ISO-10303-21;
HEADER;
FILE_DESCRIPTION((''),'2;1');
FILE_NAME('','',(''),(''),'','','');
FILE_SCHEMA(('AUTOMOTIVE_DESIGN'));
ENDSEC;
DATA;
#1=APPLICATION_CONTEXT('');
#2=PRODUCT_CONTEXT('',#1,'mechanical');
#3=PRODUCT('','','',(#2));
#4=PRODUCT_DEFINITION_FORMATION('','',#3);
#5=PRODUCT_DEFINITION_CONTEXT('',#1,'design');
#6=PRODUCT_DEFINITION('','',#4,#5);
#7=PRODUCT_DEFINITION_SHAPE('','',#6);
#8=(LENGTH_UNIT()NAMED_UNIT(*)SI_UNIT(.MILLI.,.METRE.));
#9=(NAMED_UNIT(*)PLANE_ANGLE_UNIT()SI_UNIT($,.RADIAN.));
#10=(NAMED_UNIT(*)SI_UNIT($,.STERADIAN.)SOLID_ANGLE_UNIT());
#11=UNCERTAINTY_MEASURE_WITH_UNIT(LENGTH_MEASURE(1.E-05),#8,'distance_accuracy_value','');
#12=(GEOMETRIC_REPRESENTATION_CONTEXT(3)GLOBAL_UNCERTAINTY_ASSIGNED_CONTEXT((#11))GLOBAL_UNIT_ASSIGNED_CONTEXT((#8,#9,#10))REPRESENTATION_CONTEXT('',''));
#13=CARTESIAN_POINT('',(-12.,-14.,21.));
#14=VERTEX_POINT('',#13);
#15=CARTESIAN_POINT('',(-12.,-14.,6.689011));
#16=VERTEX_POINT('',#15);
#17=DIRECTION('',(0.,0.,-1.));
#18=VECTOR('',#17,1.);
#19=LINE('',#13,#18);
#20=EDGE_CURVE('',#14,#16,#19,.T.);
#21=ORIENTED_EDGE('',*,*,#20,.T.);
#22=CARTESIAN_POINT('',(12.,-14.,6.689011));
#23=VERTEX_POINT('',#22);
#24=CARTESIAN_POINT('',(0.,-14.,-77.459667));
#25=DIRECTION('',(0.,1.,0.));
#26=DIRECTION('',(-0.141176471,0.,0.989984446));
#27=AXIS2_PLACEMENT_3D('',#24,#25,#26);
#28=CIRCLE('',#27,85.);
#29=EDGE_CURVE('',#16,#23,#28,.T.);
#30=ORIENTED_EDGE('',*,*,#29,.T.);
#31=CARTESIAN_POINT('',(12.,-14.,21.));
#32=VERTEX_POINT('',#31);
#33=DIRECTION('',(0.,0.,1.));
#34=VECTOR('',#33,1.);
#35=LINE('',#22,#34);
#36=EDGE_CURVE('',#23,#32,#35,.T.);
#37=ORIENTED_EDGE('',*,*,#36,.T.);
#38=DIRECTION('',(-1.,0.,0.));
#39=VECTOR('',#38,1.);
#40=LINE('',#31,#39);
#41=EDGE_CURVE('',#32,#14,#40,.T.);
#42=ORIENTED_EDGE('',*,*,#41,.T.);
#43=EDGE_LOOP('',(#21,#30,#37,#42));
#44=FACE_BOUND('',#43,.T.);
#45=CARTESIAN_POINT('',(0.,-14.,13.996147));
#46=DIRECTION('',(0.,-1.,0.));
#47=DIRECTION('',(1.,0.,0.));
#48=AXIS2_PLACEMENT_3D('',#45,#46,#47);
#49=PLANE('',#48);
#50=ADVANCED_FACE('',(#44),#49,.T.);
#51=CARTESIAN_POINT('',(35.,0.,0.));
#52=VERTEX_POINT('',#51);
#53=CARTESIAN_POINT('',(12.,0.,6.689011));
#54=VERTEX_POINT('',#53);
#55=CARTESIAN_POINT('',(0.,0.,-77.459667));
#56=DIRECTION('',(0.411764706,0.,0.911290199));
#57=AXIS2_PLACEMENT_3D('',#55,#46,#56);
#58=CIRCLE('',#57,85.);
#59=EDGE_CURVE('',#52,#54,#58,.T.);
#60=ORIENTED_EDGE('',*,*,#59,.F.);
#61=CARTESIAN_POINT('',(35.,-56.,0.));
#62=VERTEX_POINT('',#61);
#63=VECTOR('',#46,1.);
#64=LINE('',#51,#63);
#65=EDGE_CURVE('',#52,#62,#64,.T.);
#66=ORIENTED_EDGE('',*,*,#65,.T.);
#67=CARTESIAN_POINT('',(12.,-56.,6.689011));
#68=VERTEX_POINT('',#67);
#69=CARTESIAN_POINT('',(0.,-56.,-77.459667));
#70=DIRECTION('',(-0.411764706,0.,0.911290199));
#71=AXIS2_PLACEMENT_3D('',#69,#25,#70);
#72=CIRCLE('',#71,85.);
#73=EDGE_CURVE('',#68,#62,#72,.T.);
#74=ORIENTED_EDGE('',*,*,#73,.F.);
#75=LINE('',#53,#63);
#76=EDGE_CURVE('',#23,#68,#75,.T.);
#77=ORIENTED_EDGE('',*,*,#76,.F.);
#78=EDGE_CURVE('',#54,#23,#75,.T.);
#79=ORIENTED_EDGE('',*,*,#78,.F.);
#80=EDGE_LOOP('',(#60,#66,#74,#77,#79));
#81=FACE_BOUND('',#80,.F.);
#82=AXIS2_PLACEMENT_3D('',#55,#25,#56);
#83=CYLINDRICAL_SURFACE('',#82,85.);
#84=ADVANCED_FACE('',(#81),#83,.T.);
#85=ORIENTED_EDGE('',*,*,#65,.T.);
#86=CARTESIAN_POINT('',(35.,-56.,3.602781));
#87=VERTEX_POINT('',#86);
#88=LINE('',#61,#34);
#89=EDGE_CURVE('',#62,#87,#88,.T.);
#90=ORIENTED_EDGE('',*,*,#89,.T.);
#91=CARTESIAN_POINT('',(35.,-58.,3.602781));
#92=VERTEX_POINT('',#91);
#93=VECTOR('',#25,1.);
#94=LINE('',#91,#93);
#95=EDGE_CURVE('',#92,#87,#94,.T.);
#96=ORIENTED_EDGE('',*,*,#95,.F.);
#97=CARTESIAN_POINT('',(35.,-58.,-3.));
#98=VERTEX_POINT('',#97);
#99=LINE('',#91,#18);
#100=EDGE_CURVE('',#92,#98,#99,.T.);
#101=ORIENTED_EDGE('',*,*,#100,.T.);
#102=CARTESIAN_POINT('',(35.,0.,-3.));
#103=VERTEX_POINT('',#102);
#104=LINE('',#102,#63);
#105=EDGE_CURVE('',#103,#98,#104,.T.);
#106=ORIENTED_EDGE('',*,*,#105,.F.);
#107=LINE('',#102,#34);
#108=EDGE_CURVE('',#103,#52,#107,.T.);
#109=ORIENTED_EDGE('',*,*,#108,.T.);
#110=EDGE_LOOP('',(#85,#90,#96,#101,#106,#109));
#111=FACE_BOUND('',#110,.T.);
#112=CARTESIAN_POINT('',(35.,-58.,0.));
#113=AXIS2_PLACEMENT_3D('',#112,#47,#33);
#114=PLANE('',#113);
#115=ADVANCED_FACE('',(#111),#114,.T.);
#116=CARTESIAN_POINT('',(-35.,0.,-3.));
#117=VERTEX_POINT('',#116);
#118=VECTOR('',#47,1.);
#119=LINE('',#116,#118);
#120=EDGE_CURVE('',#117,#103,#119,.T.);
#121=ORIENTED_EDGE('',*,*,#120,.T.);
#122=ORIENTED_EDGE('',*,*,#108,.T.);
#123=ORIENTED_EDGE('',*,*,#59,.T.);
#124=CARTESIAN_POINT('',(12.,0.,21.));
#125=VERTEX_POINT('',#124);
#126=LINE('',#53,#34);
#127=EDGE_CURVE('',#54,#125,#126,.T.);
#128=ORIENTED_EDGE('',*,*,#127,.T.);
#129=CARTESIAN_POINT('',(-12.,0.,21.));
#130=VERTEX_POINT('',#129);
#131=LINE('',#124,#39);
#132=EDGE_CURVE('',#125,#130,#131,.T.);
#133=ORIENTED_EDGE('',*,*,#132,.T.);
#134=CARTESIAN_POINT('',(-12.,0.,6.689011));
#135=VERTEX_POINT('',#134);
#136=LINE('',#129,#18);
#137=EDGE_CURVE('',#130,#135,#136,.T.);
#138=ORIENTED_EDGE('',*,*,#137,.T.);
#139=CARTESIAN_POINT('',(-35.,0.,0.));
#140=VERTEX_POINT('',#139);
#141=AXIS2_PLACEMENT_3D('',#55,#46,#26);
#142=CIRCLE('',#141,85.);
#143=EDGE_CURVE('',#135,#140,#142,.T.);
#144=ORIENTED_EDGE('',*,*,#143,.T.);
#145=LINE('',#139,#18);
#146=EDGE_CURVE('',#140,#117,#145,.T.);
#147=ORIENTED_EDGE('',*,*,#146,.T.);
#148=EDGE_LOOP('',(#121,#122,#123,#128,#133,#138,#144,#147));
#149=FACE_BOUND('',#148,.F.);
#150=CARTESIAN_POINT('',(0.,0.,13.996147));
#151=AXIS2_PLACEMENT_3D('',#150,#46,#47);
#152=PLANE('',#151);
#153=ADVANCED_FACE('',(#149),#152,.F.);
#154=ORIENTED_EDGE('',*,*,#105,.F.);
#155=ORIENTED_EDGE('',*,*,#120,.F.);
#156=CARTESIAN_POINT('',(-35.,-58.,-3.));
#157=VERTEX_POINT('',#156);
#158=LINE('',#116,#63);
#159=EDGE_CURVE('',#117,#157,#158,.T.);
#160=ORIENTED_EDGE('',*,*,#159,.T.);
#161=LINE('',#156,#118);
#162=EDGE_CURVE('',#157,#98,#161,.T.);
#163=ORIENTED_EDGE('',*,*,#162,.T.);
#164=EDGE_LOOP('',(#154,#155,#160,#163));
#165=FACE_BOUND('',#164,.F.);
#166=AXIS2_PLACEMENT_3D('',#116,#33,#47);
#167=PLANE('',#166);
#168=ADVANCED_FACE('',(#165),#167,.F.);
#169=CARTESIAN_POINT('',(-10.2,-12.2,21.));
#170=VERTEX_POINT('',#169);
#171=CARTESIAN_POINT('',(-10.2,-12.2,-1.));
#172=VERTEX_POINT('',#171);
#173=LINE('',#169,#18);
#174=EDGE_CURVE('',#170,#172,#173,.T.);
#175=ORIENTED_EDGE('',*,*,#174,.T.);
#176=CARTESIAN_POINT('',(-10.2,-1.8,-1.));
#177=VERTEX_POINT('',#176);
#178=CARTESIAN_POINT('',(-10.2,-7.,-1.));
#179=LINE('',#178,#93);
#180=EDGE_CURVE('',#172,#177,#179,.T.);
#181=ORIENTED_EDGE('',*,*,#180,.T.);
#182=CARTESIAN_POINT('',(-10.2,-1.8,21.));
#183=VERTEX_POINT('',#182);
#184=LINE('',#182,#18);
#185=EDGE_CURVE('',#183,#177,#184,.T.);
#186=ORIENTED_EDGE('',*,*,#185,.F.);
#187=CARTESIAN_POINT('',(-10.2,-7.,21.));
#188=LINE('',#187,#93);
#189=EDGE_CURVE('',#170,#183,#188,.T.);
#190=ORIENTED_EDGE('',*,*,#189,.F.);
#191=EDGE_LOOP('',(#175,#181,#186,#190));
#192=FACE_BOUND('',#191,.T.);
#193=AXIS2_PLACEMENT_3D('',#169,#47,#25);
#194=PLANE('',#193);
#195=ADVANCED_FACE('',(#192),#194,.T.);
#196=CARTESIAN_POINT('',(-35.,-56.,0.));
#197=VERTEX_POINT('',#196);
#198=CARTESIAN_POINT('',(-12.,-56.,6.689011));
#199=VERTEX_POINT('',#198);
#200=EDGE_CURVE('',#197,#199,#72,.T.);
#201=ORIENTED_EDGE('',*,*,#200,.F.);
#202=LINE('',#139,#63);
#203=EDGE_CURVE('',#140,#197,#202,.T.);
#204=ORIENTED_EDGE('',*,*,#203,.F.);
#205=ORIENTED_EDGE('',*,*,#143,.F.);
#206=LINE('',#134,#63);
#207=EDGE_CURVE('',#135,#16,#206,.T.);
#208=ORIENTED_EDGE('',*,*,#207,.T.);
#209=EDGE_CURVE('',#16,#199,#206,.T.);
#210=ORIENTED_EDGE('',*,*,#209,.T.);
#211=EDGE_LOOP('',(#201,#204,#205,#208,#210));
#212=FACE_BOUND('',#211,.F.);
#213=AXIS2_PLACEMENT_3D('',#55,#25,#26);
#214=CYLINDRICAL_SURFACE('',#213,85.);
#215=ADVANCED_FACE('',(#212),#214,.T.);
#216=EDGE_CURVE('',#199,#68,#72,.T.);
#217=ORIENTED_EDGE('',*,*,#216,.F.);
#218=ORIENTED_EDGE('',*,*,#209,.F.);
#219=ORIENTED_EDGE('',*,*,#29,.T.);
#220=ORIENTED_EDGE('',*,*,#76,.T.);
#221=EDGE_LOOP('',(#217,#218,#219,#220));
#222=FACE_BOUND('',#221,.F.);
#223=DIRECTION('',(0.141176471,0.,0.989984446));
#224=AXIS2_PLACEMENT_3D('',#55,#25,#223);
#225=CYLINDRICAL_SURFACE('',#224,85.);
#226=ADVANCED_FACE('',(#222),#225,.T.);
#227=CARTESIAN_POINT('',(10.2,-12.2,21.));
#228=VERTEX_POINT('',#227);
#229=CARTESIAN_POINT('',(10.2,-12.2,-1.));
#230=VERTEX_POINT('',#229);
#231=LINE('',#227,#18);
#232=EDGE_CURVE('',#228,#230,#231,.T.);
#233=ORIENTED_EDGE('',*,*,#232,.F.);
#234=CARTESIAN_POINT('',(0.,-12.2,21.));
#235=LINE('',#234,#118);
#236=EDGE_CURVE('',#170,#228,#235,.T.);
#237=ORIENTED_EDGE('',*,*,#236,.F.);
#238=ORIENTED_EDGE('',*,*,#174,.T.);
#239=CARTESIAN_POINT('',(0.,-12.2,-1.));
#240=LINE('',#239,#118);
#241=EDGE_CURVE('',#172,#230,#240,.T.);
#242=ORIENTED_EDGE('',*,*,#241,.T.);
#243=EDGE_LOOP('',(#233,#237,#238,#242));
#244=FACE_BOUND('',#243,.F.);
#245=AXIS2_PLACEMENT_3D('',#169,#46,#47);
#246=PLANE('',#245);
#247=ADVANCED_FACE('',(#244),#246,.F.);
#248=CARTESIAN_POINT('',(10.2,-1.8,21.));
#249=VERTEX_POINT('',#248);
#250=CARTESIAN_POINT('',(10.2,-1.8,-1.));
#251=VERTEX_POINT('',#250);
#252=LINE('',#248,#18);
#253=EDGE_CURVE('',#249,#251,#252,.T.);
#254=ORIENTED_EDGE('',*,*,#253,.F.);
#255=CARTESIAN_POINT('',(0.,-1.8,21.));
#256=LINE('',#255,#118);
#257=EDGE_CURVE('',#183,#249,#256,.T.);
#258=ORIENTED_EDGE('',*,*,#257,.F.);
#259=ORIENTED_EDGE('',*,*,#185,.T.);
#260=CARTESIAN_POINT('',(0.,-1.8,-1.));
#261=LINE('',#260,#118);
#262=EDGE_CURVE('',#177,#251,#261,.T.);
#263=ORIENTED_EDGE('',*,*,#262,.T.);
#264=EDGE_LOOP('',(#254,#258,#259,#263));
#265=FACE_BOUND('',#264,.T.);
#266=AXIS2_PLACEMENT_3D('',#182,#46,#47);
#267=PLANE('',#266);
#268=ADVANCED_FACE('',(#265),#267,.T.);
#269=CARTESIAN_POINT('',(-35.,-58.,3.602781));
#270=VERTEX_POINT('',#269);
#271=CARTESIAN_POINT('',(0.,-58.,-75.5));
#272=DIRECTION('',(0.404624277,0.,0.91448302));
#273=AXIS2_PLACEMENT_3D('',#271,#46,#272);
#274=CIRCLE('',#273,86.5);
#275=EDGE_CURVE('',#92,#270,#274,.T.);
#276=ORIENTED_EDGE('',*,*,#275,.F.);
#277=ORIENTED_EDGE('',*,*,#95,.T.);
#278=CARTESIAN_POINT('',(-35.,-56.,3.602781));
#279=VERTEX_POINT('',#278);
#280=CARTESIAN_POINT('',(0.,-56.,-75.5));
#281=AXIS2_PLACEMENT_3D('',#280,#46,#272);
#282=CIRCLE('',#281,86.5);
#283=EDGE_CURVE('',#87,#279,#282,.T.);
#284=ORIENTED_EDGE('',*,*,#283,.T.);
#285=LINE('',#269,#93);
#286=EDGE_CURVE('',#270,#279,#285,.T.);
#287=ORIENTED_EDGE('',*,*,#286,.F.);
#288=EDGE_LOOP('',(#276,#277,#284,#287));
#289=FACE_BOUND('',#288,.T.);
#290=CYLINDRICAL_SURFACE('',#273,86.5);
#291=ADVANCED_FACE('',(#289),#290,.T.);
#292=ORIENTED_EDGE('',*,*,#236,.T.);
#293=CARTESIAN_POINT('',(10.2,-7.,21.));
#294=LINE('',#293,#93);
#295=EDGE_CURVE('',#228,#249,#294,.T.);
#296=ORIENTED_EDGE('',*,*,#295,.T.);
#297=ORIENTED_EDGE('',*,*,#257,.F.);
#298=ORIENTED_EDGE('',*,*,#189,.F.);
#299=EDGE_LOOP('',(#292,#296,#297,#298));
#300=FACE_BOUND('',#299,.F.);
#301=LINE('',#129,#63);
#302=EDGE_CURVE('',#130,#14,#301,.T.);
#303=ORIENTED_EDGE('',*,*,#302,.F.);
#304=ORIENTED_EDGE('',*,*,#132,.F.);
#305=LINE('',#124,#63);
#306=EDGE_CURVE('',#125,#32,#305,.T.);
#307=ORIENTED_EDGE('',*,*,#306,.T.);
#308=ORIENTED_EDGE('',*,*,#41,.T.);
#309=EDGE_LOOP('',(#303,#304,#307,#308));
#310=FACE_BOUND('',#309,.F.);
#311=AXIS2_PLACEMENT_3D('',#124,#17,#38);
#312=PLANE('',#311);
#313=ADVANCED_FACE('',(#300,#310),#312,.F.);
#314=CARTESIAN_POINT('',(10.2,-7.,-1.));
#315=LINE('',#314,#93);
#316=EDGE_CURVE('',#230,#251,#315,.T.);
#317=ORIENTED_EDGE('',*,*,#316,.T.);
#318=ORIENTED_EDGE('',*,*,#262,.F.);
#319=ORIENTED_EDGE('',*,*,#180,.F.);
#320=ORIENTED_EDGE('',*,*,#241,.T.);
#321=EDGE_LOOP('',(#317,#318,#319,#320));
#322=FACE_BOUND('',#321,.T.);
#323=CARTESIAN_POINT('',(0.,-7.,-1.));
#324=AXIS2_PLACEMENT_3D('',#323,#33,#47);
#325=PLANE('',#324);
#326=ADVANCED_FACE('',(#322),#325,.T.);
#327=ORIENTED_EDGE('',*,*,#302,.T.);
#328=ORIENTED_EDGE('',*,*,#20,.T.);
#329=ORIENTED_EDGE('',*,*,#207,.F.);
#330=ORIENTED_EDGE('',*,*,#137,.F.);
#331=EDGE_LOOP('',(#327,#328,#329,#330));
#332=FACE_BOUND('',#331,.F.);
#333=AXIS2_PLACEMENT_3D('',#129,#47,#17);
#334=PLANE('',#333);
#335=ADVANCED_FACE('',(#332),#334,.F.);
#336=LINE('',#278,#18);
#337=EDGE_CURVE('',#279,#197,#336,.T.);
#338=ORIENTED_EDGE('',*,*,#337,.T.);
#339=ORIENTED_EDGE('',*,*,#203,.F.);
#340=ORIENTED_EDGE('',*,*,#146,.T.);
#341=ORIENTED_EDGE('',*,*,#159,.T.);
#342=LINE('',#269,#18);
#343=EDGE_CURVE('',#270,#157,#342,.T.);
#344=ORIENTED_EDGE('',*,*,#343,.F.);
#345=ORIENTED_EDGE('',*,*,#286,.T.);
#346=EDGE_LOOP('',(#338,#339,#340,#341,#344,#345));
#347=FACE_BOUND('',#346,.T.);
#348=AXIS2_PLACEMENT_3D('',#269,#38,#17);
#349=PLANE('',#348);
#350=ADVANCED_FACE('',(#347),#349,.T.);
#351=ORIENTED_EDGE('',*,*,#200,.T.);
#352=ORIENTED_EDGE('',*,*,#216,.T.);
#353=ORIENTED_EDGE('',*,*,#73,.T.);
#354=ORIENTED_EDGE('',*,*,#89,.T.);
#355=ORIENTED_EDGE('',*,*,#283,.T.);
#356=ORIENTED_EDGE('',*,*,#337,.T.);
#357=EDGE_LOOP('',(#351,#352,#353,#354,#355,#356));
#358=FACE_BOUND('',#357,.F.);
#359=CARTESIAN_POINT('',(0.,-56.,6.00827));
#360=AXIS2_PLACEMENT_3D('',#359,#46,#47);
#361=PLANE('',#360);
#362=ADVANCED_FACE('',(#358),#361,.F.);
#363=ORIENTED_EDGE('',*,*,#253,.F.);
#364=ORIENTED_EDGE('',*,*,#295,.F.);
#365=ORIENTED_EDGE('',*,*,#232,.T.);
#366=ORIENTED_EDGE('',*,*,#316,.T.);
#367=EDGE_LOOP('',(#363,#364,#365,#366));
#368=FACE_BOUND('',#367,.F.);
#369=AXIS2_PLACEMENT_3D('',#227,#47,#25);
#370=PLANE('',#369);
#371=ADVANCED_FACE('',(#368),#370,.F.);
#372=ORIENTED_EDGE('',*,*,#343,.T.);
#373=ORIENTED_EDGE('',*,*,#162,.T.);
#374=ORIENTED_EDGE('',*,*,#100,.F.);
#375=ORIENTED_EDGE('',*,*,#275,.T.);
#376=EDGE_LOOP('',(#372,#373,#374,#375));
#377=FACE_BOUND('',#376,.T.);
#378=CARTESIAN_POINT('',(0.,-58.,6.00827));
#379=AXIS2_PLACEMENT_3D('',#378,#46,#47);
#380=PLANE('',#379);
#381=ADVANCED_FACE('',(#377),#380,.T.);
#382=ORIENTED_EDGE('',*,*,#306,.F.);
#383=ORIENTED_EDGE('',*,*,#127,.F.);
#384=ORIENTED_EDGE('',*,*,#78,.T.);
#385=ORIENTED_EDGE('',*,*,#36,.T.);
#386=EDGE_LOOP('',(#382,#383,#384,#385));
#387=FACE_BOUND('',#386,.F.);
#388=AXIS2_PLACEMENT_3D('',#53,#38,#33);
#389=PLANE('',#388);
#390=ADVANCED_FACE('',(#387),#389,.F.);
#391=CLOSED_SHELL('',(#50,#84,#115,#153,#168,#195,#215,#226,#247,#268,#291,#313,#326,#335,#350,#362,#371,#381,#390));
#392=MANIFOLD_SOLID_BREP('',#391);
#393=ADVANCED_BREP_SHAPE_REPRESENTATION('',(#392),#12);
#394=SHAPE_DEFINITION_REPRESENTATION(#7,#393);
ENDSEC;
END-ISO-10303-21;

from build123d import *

# Parameters (mm, degrees)
F1_DEPTH = 58
F2_DEPTH = 14
F4_DEPTH = 2
F5_W     = 20.4
F5_H     = 10.4
F6_DEPTH = 22


with BuildPart() as f1:
    # F0 (on Front) → F1 (new body)
    with BuildSketch(Plane.XZ):
        with BuildLine():
            Line((35, -3), (35, 0))
            ThreePointArc((35, 0), (23.7368009031, 4.158739596), (12, 6.6890110215))
            Line((12, 6.6890110215), (12, 0))
            Line((12, 0), (-12, 0))
            Line((-12, 0), (-12, 6.6890110215))
            ThreePointArc((-12, 6.6890110215), (-23.7368009031, 4.158739596), (-35, 0))
            Line((-35, 0), (-35, -3))
            Line((-35, -3), (35, -3))
        make_face()
        with BuildLine():
            Line((12, 0), (12, 6.6890110215))
            ThreePointArc((12, 6.6890110215), (0, 7.5403330759), (-12, 6.6890110215))
            Line((-12, 6.6890110215), (-12, 0))
            Line((-12, 0), (12, 0))
        make_face()
    extrude(amount=F1_DEPTH)

    # F0 (on Front) → F2 (join)
    with BuildSketch(Plane.XZ):
        with BuildLine():
            ThreePointArc((-12, 6.6890110215), (0, 7.5403330759), (12, 6.6890110215))
            Line((12, 6.6890110215), (12, 21))
            Line((12, 21), (-12, 21))
            Line((-12, 21), (-12, 6.6890110215))
        make_face()
    extrude(amount=F2_DEPTH)

    # F3 (on face) → F4 (join)
    with BuildSketch(Plane.XZ.offset(58)):
        with BuildLine():
            Line((35, 0), (35, 3.6027812406))
            ThreePointArc((35, 3.6027812406), (0, 11), (-35, 3.6027812406))
            Line((-35, 3.6027812406), (-35, 0))
            ThreePointArc((-35, 0), (0, 7.5403330759), (35, 0))
        make_face()
    extrude(amount=-F4_DEPTH)

    # F5 (on face) → F6 (cut)
    with BuildSketch(Plane.XY.offset(21)):
        with Locations((0, -7)):
            Rectangle(F5_W, F5_H)
    extrude(amount=-F6_DEPTH, mode=Mode.SUBTRACT)


solid = f1.part
